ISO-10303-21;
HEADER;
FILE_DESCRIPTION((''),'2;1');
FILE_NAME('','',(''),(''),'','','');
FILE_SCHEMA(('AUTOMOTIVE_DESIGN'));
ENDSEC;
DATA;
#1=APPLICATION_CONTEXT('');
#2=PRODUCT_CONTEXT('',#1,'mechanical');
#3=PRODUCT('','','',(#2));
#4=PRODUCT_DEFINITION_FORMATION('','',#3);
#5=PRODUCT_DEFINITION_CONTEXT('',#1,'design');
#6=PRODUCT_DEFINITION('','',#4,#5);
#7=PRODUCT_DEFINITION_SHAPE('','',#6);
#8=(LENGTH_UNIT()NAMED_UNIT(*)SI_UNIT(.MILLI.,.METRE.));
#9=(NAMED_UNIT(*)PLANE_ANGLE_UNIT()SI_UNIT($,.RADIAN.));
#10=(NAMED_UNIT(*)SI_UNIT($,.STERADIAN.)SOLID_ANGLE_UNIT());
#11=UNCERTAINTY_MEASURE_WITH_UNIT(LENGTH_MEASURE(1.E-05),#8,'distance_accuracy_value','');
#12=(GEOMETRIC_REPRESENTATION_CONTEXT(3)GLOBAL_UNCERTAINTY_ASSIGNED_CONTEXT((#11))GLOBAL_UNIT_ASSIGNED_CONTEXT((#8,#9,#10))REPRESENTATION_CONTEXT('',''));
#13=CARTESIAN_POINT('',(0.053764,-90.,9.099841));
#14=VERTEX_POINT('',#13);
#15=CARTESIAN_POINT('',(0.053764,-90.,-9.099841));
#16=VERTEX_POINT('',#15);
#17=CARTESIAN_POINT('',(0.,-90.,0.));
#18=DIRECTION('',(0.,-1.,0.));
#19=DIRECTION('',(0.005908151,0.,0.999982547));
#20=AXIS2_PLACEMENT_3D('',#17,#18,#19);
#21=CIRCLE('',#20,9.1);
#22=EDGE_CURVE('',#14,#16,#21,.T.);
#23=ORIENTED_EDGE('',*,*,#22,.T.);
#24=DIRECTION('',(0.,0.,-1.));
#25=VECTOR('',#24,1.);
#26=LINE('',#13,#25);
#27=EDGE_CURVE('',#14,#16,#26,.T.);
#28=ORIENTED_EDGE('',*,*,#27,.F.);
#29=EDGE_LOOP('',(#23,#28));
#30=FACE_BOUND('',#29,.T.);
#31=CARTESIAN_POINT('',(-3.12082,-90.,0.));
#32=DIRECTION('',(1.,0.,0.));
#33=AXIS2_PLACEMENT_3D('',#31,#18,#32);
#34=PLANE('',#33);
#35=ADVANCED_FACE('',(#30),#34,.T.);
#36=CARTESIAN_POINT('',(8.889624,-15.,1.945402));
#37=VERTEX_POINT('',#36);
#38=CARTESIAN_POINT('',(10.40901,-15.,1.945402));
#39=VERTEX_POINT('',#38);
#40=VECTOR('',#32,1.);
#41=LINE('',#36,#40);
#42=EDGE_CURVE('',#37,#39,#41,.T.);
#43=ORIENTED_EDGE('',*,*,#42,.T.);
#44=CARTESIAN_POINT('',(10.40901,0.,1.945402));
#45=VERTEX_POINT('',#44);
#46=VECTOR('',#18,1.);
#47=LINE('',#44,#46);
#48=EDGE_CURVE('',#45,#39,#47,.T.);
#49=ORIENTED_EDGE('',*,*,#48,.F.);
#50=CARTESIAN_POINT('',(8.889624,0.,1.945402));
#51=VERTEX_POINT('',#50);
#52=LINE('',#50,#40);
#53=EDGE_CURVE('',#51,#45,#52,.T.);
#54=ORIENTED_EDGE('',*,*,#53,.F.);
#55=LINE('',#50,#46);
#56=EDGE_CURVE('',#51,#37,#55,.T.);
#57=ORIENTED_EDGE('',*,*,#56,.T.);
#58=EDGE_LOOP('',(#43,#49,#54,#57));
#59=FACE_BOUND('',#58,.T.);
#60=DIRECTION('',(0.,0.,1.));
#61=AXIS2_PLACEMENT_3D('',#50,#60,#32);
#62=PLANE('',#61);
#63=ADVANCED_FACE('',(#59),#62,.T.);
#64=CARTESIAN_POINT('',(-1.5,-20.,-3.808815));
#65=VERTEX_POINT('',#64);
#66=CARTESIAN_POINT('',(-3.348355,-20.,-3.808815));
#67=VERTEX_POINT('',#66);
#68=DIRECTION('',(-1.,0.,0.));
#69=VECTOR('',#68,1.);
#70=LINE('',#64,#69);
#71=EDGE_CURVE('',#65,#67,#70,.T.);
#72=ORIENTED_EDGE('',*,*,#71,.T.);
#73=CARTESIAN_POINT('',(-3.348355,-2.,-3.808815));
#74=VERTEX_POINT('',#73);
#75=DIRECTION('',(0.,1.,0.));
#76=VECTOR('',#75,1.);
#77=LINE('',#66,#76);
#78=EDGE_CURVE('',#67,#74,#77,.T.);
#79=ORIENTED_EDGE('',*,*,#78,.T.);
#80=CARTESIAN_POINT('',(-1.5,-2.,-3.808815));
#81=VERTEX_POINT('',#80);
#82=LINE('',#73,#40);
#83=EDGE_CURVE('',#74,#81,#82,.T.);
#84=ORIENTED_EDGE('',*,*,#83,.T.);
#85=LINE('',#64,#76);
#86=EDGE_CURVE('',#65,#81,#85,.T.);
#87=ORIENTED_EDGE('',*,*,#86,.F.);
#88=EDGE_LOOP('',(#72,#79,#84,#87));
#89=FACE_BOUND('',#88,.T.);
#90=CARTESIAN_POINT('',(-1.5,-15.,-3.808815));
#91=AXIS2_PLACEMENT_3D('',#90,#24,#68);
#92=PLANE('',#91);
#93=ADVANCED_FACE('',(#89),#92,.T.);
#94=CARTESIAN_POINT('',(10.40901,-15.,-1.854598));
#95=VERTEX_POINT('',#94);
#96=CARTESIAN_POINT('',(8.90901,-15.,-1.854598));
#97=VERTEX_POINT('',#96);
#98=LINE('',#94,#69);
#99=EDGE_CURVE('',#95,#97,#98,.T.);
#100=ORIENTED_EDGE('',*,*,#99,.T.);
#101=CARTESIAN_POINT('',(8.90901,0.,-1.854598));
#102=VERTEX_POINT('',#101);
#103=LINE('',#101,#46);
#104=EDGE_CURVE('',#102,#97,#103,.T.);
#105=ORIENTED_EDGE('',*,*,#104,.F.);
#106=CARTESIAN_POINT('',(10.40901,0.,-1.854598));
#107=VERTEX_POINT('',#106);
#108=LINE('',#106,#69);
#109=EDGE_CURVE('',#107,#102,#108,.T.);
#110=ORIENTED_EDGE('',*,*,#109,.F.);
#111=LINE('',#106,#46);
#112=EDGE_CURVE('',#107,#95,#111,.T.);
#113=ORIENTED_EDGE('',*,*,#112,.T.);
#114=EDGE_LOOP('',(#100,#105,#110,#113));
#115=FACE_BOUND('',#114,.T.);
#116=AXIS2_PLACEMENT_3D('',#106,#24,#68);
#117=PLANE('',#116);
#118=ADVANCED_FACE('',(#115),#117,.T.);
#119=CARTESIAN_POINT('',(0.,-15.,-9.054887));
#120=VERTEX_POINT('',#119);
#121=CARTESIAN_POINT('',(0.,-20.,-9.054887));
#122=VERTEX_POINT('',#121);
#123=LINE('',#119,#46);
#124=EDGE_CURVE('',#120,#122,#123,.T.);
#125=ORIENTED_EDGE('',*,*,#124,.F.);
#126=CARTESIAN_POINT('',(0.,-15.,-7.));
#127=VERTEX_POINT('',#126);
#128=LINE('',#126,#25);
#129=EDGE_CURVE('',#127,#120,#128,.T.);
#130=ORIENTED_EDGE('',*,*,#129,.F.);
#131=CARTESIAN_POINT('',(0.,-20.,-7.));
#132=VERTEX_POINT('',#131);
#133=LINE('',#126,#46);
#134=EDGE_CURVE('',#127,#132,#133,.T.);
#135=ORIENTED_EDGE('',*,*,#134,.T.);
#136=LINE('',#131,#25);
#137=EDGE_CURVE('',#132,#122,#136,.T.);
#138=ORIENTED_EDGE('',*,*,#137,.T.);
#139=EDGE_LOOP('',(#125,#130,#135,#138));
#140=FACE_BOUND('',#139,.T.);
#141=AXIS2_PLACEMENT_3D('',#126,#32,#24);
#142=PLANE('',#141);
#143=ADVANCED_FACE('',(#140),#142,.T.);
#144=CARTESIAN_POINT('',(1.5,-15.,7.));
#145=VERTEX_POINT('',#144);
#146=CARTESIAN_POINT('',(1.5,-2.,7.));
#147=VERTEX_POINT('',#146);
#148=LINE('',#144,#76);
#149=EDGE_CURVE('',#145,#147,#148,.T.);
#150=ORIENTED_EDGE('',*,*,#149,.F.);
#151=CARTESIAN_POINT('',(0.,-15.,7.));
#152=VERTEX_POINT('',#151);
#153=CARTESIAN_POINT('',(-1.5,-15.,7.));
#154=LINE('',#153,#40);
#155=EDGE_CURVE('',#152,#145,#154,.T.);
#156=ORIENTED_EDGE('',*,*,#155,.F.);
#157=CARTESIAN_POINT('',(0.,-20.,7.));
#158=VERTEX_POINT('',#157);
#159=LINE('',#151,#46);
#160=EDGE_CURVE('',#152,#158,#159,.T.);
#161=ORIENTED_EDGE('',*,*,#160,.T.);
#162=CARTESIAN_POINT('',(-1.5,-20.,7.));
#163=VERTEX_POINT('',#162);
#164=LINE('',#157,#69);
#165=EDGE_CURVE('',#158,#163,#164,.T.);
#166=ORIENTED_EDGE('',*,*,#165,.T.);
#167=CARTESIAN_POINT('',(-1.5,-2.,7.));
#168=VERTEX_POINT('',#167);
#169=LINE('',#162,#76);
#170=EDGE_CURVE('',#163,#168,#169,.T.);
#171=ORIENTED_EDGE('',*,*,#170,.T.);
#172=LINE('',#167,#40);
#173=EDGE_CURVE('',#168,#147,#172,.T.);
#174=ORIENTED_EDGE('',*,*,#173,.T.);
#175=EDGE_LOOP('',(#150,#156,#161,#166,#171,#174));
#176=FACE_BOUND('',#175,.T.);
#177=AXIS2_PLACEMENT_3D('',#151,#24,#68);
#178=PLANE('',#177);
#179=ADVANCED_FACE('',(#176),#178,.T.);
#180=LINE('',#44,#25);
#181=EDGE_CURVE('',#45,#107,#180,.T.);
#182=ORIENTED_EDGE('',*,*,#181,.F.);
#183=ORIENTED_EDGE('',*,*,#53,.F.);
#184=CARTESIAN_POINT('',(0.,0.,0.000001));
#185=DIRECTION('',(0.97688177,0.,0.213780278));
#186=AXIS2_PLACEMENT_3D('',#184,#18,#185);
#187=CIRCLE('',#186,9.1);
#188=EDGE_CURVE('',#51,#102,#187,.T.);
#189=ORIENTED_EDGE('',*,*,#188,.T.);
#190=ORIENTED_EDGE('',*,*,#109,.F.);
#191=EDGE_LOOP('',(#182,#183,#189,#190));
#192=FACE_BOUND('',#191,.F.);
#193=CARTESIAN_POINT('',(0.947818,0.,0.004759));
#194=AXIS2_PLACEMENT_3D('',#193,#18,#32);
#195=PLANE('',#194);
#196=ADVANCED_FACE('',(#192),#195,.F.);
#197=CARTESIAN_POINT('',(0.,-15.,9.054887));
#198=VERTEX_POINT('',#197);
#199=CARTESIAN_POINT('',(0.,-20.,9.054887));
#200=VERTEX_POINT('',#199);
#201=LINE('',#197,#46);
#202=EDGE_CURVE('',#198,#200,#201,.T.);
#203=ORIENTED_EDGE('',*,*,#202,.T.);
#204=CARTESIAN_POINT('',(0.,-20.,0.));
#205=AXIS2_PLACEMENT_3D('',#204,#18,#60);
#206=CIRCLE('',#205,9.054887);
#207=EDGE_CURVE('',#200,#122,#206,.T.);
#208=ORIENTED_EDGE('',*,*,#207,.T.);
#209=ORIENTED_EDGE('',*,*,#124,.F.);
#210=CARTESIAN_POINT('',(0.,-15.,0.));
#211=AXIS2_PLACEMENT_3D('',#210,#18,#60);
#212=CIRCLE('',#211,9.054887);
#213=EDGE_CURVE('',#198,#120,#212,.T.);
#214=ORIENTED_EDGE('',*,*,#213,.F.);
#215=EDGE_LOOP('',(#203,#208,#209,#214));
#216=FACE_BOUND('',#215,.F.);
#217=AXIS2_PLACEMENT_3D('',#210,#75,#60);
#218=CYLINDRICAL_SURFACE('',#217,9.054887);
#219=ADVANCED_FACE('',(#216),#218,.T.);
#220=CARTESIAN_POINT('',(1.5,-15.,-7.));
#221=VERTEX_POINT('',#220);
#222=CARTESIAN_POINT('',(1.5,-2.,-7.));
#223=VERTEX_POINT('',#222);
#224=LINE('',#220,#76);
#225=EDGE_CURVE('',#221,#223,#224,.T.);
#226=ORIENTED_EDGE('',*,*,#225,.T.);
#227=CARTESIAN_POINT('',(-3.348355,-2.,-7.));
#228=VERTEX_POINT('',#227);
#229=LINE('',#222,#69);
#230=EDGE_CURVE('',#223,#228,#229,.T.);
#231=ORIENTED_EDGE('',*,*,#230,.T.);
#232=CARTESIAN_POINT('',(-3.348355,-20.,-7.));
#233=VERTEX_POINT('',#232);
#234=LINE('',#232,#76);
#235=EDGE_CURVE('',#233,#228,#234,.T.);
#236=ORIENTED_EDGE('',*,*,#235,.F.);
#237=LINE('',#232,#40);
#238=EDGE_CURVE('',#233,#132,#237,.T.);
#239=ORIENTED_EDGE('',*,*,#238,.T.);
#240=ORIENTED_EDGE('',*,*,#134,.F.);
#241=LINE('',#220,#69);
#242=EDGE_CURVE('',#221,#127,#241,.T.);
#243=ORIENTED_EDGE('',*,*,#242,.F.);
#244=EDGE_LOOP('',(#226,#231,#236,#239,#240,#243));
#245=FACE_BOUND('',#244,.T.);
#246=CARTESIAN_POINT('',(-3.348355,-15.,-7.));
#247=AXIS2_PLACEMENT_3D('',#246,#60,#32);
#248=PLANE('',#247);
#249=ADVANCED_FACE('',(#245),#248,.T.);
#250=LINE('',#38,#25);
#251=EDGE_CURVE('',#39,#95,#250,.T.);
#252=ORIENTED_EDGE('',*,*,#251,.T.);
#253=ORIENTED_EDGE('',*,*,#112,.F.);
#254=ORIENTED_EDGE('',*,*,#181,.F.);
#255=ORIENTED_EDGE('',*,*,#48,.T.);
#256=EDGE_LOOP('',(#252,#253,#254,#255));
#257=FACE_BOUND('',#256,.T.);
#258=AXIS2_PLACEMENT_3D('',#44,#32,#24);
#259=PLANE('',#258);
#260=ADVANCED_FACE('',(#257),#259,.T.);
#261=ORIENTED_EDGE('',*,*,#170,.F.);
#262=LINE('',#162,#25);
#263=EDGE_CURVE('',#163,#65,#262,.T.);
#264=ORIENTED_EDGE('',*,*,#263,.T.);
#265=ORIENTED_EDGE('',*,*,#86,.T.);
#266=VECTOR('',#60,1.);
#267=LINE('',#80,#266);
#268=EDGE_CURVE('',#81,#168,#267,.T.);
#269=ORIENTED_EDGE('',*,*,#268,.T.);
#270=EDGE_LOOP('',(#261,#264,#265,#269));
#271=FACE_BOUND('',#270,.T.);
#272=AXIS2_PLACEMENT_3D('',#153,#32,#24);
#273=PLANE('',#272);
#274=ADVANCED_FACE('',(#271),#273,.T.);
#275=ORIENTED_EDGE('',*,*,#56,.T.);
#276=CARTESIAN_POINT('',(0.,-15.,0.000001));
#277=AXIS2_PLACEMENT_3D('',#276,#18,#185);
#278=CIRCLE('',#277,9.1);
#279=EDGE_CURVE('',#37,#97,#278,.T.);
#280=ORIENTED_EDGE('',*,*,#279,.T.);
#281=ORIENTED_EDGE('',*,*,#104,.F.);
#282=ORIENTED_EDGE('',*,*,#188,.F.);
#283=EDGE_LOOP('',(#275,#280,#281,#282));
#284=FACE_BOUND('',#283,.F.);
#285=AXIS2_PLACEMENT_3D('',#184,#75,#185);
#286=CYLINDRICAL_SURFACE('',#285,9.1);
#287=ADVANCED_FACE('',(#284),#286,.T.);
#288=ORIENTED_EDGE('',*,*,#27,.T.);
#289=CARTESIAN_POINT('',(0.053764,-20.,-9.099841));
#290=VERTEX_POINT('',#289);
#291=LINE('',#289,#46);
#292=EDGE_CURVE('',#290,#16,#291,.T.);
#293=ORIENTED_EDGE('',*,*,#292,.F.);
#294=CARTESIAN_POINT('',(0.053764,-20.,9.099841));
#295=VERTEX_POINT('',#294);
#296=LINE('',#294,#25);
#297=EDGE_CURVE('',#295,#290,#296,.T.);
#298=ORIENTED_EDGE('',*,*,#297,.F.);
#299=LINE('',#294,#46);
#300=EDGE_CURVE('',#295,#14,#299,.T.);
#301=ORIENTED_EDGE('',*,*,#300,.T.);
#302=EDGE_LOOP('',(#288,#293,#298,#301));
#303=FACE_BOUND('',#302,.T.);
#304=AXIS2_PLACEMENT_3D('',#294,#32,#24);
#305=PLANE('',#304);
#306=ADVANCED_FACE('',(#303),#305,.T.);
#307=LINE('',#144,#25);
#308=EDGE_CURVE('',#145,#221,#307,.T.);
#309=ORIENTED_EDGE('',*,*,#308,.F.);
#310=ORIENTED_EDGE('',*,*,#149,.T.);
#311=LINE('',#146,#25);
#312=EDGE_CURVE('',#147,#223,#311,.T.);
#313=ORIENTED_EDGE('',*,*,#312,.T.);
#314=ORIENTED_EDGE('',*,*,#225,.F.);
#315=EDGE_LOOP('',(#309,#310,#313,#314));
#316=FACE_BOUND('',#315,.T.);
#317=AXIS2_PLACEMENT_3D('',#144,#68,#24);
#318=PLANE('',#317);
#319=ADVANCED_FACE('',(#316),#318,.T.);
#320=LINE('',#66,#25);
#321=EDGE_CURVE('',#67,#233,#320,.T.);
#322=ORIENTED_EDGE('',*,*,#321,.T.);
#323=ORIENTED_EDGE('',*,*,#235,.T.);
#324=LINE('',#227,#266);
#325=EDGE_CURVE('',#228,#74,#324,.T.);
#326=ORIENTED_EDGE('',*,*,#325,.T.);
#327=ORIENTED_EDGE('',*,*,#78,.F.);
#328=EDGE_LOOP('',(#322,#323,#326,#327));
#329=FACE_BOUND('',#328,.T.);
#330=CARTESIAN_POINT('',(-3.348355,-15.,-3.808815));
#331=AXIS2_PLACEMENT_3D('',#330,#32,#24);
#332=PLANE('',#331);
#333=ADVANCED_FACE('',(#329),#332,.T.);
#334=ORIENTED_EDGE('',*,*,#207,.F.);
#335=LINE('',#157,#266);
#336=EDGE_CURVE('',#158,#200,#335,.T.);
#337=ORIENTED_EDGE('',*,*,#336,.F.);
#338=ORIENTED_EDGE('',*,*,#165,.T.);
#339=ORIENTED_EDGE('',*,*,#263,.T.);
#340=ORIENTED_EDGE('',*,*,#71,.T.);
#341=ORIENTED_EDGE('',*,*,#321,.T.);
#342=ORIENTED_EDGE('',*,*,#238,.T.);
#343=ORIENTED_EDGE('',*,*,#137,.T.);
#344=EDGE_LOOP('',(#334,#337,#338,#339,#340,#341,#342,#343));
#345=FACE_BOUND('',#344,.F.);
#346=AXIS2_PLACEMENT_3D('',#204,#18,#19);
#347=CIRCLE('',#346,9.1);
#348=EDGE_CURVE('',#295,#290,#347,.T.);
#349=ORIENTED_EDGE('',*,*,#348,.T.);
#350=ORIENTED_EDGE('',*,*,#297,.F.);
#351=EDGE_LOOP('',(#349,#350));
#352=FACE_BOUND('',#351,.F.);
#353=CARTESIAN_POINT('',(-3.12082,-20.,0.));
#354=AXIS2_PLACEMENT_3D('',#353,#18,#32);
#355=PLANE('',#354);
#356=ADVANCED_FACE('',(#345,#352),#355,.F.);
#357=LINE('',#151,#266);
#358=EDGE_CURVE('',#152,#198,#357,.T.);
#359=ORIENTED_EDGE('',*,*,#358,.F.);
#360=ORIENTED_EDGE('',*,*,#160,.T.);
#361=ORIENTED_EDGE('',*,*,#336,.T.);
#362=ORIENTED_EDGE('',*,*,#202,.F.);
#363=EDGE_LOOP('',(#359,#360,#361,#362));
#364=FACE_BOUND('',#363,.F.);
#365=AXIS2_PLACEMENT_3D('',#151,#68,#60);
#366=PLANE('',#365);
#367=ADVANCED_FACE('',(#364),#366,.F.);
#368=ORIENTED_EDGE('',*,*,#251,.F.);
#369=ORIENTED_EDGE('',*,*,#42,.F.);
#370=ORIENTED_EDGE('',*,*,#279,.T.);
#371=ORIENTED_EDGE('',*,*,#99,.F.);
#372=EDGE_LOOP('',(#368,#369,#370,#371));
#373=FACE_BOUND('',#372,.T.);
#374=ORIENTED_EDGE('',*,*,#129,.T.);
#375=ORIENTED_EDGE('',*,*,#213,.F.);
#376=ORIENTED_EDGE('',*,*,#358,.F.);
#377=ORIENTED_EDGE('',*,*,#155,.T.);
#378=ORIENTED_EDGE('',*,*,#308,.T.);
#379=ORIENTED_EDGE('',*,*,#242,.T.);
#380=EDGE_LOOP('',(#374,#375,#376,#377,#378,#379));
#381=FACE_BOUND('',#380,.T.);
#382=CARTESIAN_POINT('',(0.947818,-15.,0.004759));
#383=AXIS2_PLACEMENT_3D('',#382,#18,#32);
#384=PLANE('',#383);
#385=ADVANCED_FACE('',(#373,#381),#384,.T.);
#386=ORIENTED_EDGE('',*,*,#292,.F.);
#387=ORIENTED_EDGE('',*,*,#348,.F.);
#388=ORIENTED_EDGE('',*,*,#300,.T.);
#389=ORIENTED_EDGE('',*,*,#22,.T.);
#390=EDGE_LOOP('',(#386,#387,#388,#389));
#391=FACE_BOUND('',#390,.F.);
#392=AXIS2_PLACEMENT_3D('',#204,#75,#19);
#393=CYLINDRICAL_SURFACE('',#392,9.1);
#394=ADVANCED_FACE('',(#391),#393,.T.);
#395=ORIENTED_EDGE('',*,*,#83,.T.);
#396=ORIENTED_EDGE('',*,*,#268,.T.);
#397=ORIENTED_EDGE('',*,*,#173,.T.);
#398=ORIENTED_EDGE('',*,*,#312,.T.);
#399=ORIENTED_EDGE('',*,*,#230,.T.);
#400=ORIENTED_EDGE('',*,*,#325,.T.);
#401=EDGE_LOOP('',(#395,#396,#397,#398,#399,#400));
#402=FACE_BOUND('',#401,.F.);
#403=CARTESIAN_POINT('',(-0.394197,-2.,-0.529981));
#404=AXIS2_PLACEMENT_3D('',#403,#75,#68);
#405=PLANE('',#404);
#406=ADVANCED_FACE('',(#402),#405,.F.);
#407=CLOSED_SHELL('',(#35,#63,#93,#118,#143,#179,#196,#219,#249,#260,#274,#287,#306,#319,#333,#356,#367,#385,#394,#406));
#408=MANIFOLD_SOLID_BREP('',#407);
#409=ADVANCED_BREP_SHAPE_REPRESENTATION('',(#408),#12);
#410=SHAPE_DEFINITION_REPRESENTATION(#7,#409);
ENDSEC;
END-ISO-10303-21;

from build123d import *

# Parameters (mm, degrees)
PAD_DEPTH    = 15
POCKET_DEPTH = 13
PAD001_DEPTH = 5
PAD002_DEPTH = 70


with BuildPart() as part:
    # Sketch → Pad (new body)
    with BuildSketch(Plane.XZ):
        with BuildLine():
            ThreePointArc((8.889624, 1.945402), (-9.099882, -0.046426), (8.90901, -1.854598))
            Line((10.40901, -1.854598), (8.90901, -1.854598))
            Line((10.40901, 1.945402), (10.40901, -1.854598))
            Line((8.889624, 1.945402), (10.40901, 1.945402))
        make_face()
    extrude(amount=PAD_DEPTH)

    # Sketch001 (on Face6 of Pad) → Pocket (cut)
    with BuildSketch(Plane.XZ.offset(15)):
        Polygon((-1.5, 7), (1.5, 7), (1.5, -7), (-3.348355, -7), (-3.348355, -3.808815), (-1.5, -3.808815), align=None)
    extrude(amount=-POCKET_DEPTH, mode=Mode.SUBTRACT)

    # Sketch002 (on Face5 of Pocket) → Pad001 (join)
    with BuildSketch(Plane.XZ.offset(15)):
        with BuildLine():
            Line((0, 7), (-1.5, 7))
            Line((-1.5, 7), (-1.5, -3.808815))
            Line((-1.5, -3.808815), (-3.348355, -3.808815))
            Line((-3.348355, -3.808815), (-3.348355, -7))
            Line((-3.348355, -7), (0, -7))
            Line((0, -7), (0, -9.054887))
            ThreePointArc((0, 9.054887), (-9.054887, 0), (0, -9.054887))
            Line((0, 7), (0, 9.054887))
        make_face()
    extrude(amount=PAD001_DEPTH)

    # Sketch003 (on Face14 of Pad001) → Pad002 (join)
    with BuildSketch(Plane.XZ.offset(20)):
        with BuildLine():
            ThreePointArc((0.053764, 9.099841), (-9.1, 0), (0.053764, -9.099841))
            Line((0.053764, 9.099841), (0.053764, -9.099841))
        make_face()
    extrude(amount=PAD002_DEPTH)


solid = part.part
